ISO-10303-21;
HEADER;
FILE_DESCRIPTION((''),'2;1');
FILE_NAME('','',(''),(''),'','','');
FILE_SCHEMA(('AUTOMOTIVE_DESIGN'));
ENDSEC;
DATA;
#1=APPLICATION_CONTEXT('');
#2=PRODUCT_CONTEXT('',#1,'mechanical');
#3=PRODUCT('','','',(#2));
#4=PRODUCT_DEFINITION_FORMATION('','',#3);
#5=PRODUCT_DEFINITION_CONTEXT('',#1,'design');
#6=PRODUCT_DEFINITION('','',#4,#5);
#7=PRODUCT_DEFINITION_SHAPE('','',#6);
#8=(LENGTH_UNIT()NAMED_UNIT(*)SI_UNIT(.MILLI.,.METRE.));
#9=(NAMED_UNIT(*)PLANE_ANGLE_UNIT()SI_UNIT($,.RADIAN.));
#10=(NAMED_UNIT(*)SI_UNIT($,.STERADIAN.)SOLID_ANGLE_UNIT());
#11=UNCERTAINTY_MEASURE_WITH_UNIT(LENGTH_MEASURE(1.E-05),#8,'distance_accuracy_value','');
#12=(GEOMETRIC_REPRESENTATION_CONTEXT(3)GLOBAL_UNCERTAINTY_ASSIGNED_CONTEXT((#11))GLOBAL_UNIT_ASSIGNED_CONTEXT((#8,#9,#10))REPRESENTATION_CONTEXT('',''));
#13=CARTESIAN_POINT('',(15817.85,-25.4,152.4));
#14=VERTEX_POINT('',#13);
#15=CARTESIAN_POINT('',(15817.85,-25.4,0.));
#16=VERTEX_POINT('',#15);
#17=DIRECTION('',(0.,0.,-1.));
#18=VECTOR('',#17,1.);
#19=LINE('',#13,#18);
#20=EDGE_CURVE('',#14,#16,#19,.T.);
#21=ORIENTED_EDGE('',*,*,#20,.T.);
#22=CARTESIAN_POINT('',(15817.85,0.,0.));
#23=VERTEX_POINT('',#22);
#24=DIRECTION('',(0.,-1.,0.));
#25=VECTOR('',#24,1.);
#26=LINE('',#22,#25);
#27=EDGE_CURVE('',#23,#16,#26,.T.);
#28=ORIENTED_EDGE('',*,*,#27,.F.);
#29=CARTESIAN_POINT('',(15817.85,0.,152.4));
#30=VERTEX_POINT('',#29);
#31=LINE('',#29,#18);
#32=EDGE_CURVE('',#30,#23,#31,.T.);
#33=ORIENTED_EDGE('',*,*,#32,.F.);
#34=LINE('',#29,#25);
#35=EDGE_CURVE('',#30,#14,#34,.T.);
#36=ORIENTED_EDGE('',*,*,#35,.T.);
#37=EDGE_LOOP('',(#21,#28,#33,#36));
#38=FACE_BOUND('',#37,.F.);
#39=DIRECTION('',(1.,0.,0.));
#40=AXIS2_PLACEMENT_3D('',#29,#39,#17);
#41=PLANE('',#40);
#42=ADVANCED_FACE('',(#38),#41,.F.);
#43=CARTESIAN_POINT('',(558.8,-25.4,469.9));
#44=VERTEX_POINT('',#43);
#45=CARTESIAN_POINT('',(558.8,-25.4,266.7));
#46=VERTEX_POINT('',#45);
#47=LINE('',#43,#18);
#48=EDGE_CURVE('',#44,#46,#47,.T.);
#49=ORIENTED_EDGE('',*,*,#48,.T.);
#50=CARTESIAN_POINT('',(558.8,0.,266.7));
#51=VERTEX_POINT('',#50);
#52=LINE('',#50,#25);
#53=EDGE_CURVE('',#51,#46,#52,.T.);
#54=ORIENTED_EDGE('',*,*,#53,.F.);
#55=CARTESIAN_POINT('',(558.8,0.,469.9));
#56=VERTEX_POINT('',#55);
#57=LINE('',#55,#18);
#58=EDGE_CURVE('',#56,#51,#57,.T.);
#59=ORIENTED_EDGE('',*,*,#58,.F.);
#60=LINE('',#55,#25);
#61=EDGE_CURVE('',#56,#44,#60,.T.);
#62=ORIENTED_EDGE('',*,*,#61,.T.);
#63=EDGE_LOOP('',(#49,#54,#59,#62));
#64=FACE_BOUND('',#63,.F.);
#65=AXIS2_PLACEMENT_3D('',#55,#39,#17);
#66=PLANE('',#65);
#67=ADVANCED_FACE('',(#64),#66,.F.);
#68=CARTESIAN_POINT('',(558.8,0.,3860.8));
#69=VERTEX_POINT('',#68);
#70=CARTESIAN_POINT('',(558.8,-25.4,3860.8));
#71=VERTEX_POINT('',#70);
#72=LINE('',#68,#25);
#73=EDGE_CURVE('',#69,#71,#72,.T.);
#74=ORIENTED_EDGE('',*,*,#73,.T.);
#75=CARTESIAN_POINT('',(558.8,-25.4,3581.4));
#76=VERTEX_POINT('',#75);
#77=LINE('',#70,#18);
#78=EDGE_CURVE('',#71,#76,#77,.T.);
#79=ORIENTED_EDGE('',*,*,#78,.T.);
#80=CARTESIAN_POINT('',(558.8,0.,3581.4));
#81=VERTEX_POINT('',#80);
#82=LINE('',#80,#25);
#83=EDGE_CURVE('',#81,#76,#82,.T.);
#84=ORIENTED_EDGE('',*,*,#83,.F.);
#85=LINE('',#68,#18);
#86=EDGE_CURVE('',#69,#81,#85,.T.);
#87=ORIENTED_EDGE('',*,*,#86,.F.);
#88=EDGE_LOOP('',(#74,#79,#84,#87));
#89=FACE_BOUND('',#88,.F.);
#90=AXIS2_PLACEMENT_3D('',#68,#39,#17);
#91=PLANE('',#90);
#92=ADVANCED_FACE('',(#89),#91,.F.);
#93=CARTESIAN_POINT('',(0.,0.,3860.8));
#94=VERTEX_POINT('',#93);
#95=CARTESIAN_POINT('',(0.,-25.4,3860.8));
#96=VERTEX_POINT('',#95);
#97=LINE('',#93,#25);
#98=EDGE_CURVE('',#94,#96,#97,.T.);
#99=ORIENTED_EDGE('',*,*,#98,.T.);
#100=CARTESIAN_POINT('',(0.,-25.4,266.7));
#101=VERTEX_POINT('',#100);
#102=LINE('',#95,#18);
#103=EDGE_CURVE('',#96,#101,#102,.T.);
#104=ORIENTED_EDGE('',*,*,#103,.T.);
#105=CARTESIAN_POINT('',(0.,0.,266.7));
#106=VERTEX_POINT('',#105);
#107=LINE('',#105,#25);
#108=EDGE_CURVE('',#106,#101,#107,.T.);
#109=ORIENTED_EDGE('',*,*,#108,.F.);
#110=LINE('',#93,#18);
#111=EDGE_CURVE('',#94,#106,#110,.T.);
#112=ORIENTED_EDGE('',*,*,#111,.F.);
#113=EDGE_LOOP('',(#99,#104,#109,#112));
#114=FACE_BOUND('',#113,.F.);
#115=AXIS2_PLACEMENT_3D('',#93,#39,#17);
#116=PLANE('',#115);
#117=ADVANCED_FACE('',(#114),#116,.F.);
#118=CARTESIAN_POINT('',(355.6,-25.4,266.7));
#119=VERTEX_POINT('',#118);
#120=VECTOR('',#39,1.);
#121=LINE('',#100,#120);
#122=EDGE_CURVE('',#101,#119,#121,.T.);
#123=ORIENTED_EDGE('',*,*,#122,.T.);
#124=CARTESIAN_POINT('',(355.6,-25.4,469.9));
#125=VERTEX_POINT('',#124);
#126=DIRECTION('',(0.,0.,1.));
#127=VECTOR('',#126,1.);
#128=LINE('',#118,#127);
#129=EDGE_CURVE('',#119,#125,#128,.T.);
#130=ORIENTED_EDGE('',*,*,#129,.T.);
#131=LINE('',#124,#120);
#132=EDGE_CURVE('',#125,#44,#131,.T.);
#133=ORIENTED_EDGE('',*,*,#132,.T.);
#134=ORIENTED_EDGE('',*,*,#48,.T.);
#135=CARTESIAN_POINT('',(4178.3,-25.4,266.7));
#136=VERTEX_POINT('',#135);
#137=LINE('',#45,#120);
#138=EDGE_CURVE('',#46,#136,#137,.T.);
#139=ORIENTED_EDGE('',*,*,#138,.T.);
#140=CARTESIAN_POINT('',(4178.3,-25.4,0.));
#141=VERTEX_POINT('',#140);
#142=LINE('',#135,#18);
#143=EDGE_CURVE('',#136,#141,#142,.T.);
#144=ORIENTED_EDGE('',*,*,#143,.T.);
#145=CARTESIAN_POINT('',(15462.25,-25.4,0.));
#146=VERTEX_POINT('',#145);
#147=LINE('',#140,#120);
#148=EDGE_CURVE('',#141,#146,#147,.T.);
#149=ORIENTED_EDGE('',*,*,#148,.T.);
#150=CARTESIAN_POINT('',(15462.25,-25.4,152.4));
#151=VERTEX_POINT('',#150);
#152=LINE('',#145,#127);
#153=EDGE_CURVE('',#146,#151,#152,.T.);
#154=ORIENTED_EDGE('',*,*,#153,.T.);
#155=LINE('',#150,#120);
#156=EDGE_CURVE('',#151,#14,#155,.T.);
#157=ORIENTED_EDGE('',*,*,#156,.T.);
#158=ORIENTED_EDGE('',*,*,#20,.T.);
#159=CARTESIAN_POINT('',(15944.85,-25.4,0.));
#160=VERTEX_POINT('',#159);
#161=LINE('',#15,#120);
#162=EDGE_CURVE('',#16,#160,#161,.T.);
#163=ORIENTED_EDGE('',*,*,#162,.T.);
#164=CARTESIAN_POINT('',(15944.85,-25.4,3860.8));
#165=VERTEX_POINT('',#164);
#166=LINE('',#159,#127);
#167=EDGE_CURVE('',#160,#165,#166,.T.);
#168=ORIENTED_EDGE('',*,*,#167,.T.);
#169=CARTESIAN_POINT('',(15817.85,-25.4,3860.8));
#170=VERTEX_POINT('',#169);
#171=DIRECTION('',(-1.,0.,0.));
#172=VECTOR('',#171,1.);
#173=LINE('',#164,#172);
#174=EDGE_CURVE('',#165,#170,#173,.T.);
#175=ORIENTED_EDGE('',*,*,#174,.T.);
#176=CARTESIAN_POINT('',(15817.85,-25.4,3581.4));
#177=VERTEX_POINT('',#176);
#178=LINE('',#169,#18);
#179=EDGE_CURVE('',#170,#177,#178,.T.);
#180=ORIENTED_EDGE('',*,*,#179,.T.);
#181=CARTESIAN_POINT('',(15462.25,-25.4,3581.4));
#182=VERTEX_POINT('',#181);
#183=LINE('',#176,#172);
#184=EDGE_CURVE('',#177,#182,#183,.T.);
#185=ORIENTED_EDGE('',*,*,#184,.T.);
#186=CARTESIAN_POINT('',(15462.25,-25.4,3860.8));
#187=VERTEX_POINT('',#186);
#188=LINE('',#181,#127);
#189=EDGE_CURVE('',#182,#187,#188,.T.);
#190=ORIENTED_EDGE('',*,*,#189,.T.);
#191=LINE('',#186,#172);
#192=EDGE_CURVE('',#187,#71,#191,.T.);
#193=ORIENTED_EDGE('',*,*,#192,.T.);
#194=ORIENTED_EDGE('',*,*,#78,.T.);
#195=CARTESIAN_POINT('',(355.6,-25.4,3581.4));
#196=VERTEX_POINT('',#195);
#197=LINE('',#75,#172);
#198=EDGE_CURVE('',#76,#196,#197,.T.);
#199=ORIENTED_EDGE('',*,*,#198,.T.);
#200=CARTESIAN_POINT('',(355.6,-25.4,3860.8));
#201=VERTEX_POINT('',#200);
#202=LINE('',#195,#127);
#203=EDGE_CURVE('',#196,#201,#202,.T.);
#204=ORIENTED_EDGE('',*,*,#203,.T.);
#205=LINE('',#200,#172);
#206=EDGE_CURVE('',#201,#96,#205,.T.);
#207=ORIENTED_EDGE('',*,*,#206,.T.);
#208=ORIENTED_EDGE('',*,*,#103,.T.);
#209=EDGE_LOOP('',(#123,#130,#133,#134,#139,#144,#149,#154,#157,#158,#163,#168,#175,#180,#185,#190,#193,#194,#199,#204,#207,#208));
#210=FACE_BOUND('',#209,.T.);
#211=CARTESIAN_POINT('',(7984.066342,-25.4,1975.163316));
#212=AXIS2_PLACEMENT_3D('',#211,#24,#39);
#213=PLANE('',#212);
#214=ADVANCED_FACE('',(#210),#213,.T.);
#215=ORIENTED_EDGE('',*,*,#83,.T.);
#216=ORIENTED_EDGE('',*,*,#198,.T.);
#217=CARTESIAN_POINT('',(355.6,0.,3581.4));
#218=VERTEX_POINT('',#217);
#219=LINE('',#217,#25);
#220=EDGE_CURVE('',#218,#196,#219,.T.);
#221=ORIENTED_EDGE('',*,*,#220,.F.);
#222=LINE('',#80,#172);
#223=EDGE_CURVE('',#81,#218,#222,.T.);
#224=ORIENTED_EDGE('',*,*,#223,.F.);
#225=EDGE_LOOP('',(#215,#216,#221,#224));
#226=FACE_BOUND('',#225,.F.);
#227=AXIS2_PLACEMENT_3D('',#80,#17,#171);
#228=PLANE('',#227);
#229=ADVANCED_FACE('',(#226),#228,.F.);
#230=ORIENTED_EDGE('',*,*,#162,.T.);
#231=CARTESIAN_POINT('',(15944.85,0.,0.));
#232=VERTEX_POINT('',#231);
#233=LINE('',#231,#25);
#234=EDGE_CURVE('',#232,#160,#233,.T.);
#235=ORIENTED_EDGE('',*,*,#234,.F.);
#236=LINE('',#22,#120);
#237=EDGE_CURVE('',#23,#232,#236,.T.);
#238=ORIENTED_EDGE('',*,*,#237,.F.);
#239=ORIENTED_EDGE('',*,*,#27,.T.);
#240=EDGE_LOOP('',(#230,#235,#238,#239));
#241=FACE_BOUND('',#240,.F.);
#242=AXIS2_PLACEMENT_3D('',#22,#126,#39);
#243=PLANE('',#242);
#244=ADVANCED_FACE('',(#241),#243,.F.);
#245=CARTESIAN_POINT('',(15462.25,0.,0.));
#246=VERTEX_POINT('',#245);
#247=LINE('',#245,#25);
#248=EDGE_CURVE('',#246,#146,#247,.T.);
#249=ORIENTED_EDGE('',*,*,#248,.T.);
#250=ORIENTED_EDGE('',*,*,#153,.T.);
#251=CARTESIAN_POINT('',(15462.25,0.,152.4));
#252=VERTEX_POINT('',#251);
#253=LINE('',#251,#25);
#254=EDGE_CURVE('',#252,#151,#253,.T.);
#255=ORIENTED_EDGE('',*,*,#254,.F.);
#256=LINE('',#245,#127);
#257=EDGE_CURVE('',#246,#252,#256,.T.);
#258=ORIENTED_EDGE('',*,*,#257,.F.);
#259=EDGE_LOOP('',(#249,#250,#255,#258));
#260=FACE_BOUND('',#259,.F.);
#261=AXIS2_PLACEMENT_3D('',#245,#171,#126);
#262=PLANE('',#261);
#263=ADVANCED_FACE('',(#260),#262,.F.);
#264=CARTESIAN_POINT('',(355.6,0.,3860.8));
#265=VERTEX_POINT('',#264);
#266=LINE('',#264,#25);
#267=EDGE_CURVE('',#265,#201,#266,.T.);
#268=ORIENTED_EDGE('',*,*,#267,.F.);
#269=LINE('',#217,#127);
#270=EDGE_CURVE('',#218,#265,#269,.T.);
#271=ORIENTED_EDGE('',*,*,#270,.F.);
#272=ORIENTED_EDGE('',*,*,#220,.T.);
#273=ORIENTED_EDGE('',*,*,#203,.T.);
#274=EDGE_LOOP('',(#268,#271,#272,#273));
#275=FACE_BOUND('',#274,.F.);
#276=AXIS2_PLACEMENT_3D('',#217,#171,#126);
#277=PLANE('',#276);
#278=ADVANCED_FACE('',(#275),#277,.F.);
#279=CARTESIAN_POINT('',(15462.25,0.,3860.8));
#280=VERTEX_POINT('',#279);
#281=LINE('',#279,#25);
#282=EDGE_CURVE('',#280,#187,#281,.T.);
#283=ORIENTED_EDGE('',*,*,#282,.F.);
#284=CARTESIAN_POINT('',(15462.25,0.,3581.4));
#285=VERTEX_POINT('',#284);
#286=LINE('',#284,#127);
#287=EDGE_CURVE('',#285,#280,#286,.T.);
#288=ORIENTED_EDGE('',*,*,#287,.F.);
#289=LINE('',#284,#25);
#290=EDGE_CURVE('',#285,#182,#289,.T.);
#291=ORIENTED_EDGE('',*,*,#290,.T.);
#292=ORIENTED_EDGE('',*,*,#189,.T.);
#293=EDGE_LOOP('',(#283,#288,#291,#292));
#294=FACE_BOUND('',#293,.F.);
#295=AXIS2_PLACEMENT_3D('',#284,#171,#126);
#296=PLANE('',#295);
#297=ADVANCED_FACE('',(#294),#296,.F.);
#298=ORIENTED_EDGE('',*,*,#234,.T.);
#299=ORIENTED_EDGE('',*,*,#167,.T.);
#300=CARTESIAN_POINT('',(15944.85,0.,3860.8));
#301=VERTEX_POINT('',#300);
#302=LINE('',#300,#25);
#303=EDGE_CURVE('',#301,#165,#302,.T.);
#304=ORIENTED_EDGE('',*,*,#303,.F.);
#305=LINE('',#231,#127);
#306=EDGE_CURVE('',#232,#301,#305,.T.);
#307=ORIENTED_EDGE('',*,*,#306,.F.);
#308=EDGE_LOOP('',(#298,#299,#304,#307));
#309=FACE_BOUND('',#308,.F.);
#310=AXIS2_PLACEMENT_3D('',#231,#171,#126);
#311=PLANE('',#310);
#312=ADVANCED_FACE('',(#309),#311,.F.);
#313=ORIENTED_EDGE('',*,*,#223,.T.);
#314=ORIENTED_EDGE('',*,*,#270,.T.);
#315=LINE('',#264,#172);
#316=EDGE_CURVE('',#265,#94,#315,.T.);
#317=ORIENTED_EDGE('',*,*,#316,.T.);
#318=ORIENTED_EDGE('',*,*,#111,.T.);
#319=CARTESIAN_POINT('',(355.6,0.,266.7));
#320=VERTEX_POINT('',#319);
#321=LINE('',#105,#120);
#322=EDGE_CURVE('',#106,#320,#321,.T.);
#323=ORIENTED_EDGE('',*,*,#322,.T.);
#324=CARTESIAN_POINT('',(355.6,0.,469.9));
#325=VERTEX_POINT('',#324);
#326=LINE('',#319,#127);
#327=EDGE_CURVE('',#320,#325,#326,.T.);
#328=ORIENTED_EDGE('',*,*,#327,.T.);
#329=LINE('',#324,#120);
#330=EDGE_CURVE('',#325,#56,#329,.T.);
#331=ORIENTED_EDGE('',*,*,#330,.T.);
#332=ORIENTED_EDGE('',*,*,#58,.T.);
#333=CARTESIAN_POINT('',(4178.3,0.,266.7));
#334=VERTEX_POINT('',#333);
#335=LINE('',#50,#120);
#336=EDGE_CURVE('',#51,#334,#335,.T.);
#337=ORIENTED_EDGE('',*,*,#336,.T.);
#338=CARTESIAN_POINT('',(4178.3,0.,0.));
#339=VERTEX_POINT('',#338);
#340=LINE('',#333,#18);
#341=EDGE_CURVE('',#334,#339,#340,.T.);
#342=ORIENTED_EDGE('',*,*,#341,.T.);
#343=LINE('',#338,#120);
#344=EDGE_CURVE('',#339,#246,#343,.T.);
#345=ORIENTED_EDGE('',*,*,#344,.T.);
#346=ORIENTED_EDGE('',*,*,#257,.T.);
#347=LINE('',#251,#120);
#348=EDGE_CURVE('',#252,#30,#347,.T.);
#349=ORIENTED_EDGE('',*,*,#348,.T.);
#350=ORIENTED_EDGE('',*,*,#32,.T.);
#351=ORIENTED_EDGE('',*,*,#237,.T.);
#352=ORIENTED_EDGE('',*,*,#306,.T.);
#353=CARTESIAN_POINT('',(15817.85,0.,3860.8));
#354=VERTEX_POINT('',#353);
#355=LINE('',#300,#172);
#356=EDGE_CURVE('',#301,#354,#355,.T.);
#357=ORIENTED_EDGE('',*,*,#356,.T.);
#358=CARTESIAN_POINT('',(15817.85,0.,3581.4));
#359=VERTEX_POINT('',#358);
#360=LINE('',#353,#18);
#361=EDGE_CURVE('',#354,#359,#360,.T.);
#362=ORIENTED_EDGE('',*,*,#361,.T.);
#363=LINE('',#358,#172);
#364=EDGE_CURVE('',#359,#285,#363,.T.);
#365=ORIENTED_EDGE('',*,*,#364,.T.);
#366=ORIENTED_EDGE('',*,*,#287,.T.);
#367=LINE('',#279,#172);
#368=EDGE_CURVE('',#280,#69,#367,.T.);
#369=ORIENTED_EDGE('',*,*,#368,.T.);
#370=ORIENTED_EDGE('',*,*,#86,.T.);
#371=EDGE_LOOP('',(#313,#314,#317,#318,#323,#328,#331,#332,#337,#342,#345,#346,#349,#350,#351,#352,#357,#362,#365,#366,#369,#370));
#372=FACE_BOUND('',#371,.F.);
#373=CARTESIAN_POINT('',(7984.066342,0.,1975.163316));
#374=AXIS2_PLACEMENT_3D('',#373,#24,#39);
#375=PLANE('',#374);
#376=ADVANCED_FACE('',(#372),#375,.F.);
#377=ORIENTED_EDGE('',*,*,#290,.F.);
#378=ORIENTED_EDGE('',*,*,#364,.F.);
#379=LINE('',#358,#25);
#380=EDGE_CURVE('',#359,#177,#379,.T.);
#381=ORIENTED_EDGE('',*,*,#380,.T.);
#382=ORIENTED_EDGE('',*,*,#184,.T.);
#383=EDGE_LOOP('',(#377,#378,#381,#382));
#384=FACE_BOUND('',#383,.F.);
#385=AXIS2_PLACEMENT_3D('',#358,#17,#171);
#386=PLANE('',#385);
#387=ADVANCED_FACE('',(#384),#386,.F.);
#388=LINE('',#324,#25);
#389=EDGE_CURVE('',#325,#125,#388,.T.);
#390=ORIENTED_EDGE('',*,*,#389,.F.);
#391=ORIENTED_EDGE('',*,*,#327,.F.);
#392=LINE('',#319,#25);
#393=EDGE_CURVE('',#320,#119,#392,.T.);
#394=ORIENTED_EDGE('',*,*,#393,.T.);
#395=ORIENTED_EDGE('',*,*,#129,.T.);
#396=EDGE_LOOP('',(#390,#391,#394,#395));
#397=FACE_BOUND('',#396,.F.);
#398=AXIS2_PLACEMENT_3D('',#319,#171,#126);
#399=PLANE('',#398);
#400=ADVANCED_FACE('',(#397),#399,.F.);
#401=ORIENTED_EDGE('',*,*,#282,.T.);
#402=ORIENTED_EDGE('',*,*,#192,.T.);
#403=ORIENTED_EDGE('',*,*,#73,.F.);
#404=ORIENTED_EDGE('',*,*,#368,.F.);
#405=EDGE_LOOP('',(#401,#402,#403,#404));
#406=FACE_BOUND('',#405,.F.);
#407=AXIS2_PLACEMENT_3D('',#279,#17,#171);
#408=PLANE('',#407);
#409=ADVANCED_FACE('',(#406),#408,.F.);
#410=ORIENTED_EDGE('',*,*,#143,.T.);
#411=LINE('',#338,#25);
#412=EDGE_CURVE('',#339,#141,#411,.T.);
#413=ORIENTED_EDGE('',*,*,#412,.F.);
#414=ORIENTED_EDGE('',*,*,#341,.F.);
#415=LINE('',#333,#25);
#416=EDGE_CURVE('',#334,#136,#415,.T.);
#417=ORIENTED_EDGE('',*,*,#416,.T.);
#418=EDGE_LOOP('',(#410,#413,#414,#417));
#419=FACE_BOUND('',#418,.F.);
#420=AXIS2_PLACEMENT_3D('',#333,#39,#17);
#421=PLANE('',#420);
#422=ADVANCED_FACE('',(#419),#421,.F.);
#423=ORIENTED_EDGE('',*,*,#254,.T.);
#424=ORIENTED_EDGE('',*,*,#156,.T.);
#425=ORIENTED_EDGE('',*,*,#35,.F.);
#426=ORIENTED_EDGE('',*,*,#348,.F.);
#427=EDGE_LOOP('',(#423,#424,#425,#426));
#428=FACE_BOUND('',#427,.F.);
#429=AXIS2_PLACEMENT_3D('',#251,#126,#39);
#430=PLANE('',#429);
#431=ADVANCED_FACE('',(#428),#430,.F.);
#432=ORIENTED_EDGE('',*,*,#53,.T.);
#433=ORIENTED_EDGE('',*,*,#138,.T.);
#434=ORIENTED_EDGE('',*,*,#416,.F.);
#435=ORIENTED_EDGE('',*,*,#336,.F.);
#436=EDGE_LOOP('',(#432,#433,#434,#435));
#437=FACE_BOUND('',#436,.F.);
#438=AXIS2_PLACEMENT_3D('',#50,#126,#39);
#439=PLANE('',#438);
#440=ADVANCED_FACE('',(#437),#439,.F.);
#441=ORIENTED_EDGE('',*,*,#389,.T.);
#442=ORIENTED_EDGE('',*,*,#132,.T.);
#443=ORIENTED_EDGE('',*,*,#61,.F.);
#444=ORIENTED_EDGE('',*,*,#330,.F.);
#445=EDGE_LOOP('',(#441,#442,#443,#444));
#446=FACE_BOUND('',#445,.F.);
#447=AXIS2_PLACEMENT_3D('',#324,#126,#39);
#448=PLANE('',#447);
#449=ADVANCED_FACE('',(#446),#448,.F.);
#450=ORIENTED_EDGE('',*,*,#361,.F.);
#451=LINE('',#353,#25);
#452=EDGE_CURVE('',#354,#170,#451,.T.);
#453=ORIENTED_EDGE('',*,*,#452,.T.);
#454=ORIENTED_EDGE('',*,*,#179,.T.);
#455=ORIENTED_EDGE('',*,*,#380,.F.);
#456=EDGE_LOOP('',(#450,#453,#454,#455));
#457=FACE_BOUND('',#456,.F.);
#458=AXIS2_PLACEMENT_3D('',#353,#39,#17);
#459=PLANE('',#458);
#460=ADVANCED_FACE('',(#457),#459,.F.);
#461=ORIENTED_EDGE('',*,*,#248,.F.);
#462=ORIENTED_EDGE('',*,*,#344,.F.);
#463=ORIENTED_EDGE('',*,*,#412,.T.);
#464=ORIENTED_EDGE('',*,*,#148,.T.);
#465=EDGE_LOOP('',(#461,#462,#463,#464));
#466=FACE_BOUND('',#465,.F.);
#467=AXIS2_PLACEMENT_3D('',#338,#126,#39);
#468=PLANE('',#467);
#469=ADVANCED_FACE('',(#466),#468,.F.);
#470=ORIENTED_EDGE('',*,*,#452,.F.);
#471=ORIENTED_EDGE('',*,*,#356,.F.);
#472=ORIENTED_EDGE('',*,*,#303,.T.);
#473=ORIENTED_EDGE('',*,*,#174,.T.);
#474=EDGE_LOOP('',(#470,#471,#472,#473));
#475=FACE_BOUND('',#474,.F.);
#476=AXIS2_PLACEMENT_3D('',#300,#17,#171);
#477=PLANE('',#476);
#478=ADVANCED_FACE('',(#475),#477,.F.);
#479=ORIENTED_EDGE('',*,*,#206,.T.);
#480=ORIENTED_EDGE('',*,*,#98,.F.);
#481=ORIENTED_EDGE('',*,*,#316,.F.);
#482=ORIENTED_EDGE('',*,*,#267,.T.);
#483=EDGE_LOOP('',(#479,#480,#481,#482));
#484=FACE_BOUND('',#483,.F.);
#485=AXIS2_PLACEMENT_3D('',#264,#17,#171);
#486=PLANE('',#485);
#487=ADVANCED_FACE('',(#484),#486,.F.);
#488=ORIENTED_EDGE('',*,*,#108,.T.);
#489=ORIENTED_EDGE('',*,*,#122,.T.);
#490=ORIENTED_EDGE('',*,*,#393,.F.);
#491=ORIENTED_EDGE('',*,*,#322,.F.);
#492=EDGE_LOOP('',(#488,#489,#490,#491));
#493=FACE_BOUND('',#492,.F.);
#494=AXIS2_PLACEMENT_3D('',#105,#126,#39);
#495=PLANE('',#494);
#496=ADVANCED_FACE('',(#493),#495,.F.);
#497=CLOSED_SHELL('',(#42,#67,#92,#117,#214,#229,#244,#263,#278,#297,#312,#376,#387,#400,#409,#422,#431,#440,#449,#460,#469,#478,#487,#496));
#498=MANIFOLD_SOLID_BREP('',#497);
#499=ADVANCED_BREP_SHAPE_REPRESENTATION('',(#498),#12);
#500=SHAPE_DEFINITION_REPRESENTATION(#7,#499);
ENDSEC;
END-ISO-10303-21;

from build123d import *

# Parameters (mm, degrees)
F1_DEPTH = 25.4


with BuildPart() as f1:
    # F0 (on Front) → F1 (new body)
    with BuildSketch(Plane.XZ):
        Polygon((355.6, 3860.8), (0, 3860.8), (0, 266.7), (355.6, 266.7), (355.6, 469.9), (558.8, 469.9), (558.8, 266.7), (4178.3, 266.7), (4178.3, 0), (15462.25, 0), (15462.25, 152.4), (15817.85, 152.4), (15817.85, 0), (15944.85, 0), (15944.85, 3860.8), (15817.85, 3860.8), (15817.85, 3581.4), (15462.25, 3581.4), (15462.25, 3860.8), (558.8, 3860.8), (558.8, 3581.4), (355.6, 3581.4), align=None)
    extrude(amount=F1_DEPTH)


solid = f1.part
